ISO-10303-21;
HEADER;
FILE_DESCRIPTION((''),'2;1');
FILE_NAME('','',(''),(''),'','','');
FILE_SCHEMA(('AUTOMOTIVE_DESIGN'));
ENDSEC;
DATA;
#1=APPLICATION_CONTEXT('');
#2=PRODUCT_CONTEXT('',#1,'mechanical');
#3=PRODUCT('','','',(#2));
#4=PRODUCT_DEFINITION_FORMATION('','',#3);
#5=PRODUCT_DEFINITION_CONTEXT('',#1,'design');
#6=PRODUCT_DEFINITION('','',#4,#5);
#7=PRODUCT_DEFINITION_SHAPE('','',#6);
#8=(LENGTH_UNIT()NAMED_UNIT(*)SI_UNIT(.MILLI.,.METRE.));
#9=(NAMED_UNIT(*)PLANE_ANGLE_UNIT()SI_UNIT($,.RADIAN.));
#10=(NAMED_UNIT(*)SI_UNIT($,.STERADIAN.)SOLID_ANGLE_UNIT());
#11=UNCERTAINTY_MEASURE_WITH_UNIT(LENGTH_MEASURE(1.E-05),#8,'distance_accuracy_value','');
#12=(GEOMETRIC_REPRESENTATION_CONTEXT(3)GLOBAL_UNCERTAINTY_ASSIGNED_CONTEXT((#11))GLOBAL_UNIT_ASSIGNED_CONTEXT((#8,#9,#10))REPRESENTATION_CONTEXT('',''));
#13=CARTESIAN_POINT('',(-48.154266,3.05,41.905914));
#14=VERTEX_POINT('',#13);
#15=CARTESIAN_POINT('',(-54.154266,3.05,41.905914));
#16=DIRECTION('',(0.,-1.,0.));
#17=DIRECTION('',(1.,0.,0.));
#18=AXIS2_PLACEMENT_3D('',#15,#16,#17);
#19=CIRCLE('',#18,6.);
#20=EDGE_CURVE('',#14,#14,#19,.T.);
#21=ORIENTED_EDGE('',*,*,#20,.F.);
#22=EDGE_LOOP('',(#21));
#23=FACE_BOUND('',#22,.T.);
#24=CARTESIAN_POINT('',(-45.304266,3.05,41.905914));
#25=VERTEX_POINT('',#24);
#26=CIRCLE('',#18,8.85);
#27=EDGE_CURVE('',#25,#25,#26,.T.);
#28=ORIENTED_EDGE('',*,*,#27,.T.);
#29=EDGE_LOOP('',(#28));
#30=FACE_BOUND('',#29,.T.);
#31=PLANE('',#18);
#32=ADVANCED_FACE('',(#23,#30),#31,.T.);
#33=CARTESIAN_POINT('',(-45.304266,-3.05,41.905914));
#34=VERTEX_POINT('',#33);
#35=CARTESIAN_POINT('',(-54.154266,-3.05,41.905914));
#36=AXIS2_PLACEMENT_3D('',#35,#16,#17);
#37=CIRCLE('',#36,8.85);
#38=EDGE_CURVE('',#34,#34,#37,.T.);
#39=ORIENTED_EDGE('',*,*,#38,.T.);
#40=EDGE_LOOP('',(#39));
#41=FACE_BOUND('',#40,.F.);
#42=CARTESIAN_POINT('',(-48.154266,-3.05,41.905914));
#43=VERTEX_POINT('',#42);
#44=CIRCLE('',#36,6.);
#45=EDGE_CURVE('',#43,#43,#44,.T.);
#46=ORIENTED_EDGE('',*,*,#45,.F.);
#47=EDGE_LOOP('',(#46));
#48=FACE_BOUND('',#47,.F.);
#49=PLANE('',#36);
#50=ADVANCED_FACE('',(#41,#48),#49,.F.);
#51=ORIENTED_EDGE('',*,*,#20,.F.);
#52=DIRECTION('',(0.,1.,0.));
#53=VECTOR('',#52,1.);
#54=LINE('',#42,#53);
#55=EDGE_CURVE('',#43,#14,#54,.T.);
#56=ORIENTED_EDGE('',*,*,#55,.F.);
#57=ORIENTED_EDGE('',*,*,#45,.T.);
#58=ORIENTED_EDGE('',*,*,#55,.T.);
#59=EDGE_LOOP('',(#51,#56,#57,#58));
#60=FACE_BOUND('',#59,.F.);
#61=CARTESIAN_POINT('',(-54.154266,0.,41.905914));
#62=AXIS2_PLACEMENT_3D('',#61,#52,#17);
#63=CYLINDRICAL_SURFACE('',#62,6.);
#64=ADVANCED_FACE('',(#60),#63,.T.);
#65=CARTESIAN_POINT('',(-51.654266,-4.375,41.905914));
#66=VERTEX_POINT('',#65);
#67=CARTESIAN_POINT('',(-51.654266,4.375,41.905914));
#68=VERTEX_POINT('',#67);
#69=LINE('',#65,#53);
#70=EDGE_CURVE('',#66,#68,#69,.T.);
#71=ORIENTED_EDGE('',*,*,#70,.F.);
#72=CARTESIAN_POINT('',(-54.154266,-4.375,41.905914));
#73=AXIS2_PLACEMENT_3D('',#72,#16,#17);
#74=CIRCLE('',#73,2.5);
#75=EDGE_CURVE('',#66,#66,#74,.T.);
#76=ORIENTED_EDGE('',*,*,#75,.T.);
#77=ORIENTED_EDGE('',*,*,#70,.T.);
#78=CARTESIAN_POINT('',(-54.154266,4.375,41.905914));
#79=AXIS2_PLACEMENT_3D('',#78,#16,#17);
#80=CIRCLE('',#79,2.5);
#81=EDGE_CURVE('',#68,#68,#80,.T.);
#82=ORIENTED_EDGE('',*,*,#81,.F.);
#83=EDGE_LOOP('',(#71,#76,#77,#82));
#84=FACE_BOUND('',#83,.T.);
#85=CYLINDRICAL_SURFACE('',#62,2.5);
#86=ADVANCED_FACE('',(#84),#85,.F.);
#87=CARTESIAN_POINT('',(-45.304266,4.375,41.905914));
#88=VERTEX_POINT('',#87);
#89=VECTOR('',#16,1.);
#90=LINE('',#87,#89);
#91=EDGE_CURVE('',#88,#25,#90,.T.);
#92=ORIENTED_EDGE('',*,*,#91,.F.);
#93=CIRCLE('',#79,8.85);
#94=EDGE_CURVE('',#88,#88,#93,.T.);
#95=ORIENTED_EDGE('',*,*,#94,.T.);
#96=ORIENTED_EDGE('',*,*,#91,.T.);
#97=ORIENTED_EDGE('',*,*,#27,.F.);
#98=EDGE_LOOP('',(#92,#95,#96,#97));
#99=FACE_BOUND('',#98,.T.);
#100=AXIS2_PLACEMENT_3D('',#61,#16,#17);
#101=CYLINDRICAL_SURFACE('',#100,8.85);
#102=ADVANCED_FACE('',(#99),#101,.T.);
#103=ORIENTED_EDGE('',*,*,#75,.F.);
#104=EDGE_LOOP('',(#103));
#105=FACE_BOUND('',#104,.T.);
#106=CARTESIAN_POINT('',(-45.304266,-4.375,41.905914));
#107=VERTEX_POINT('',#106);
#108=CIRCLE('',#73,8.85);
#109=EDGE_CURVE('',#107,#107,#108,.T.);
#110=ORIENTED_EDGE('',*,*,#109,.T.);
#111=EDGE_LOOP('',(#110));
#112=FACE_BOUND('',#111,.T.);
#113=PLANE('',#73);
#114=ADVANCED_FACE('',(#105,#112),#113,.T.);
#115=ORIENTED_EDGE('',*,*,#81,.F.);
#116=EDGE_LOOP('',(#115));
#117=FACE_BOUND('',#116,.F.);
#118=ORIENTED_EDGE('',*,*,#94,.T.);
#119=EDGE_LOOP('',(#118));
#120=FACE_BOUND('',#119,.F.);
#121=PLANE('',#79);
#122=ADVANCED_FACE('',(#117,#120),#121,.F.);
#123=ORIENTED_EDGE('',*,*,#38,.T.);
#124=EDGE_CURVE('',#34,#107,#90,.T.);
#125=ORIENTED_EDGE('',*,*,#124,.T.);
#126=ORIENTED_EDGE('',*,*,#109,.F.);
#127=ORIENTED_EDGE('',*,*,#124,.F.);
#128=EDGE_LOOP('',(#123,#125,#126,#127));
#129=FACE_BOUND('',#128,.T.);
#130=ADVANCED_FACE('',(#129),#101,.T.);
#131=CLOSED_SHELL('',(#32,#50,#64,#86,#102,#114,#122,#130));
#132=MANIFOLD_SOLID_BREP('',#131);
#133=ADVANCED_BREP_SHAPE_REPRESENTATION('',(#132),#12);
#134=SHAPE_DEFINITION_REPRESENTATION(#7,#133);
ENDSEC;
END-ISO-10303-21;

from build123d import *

# Parameters (mm, degrees)
F0_R     = 8.85
F0_R_2   = 6
F0_R_3   = 2.5
F1_DEPTH = 4.375
F2_DEPTH = 3.05


with BuildPart() as f1:
    # F0 (on Front) → F1 (new body, symmetric)
    with BuildSketch(Plane.XZ):
        with Locations((-54.154266, 41.905914)):
            Circle(F0_R)
        with Locations((-54.154266, 41.905914)):
            Circle(F0_R_2, mode=Mode.SUBTRACT)
        with Locations((-54.154266, 41.905914)):
            Circle(F0_R_2)
        with Locations((-54.154266, 41.905914)):
            Circle(F0_R_3, mode=Mode.SUBTRACT)
    extrude(amount=F1_DEPTH, both=True)

    # F0 (on Front) → F2 (cut, symmetric)
    with BuildSketch(Plane.XZ):
        with Locations((-54.154266, 41.905914)):
            Circle(F0_R)
        with Locations((-54.154266, 41.905914)):
            Circle(F0_R_2, mode=Mode.SUBTRACT)
    extrude(amount=F2_DEPTH, both=True, mode=Mode.SUBTRACT)


solid = f1.part
